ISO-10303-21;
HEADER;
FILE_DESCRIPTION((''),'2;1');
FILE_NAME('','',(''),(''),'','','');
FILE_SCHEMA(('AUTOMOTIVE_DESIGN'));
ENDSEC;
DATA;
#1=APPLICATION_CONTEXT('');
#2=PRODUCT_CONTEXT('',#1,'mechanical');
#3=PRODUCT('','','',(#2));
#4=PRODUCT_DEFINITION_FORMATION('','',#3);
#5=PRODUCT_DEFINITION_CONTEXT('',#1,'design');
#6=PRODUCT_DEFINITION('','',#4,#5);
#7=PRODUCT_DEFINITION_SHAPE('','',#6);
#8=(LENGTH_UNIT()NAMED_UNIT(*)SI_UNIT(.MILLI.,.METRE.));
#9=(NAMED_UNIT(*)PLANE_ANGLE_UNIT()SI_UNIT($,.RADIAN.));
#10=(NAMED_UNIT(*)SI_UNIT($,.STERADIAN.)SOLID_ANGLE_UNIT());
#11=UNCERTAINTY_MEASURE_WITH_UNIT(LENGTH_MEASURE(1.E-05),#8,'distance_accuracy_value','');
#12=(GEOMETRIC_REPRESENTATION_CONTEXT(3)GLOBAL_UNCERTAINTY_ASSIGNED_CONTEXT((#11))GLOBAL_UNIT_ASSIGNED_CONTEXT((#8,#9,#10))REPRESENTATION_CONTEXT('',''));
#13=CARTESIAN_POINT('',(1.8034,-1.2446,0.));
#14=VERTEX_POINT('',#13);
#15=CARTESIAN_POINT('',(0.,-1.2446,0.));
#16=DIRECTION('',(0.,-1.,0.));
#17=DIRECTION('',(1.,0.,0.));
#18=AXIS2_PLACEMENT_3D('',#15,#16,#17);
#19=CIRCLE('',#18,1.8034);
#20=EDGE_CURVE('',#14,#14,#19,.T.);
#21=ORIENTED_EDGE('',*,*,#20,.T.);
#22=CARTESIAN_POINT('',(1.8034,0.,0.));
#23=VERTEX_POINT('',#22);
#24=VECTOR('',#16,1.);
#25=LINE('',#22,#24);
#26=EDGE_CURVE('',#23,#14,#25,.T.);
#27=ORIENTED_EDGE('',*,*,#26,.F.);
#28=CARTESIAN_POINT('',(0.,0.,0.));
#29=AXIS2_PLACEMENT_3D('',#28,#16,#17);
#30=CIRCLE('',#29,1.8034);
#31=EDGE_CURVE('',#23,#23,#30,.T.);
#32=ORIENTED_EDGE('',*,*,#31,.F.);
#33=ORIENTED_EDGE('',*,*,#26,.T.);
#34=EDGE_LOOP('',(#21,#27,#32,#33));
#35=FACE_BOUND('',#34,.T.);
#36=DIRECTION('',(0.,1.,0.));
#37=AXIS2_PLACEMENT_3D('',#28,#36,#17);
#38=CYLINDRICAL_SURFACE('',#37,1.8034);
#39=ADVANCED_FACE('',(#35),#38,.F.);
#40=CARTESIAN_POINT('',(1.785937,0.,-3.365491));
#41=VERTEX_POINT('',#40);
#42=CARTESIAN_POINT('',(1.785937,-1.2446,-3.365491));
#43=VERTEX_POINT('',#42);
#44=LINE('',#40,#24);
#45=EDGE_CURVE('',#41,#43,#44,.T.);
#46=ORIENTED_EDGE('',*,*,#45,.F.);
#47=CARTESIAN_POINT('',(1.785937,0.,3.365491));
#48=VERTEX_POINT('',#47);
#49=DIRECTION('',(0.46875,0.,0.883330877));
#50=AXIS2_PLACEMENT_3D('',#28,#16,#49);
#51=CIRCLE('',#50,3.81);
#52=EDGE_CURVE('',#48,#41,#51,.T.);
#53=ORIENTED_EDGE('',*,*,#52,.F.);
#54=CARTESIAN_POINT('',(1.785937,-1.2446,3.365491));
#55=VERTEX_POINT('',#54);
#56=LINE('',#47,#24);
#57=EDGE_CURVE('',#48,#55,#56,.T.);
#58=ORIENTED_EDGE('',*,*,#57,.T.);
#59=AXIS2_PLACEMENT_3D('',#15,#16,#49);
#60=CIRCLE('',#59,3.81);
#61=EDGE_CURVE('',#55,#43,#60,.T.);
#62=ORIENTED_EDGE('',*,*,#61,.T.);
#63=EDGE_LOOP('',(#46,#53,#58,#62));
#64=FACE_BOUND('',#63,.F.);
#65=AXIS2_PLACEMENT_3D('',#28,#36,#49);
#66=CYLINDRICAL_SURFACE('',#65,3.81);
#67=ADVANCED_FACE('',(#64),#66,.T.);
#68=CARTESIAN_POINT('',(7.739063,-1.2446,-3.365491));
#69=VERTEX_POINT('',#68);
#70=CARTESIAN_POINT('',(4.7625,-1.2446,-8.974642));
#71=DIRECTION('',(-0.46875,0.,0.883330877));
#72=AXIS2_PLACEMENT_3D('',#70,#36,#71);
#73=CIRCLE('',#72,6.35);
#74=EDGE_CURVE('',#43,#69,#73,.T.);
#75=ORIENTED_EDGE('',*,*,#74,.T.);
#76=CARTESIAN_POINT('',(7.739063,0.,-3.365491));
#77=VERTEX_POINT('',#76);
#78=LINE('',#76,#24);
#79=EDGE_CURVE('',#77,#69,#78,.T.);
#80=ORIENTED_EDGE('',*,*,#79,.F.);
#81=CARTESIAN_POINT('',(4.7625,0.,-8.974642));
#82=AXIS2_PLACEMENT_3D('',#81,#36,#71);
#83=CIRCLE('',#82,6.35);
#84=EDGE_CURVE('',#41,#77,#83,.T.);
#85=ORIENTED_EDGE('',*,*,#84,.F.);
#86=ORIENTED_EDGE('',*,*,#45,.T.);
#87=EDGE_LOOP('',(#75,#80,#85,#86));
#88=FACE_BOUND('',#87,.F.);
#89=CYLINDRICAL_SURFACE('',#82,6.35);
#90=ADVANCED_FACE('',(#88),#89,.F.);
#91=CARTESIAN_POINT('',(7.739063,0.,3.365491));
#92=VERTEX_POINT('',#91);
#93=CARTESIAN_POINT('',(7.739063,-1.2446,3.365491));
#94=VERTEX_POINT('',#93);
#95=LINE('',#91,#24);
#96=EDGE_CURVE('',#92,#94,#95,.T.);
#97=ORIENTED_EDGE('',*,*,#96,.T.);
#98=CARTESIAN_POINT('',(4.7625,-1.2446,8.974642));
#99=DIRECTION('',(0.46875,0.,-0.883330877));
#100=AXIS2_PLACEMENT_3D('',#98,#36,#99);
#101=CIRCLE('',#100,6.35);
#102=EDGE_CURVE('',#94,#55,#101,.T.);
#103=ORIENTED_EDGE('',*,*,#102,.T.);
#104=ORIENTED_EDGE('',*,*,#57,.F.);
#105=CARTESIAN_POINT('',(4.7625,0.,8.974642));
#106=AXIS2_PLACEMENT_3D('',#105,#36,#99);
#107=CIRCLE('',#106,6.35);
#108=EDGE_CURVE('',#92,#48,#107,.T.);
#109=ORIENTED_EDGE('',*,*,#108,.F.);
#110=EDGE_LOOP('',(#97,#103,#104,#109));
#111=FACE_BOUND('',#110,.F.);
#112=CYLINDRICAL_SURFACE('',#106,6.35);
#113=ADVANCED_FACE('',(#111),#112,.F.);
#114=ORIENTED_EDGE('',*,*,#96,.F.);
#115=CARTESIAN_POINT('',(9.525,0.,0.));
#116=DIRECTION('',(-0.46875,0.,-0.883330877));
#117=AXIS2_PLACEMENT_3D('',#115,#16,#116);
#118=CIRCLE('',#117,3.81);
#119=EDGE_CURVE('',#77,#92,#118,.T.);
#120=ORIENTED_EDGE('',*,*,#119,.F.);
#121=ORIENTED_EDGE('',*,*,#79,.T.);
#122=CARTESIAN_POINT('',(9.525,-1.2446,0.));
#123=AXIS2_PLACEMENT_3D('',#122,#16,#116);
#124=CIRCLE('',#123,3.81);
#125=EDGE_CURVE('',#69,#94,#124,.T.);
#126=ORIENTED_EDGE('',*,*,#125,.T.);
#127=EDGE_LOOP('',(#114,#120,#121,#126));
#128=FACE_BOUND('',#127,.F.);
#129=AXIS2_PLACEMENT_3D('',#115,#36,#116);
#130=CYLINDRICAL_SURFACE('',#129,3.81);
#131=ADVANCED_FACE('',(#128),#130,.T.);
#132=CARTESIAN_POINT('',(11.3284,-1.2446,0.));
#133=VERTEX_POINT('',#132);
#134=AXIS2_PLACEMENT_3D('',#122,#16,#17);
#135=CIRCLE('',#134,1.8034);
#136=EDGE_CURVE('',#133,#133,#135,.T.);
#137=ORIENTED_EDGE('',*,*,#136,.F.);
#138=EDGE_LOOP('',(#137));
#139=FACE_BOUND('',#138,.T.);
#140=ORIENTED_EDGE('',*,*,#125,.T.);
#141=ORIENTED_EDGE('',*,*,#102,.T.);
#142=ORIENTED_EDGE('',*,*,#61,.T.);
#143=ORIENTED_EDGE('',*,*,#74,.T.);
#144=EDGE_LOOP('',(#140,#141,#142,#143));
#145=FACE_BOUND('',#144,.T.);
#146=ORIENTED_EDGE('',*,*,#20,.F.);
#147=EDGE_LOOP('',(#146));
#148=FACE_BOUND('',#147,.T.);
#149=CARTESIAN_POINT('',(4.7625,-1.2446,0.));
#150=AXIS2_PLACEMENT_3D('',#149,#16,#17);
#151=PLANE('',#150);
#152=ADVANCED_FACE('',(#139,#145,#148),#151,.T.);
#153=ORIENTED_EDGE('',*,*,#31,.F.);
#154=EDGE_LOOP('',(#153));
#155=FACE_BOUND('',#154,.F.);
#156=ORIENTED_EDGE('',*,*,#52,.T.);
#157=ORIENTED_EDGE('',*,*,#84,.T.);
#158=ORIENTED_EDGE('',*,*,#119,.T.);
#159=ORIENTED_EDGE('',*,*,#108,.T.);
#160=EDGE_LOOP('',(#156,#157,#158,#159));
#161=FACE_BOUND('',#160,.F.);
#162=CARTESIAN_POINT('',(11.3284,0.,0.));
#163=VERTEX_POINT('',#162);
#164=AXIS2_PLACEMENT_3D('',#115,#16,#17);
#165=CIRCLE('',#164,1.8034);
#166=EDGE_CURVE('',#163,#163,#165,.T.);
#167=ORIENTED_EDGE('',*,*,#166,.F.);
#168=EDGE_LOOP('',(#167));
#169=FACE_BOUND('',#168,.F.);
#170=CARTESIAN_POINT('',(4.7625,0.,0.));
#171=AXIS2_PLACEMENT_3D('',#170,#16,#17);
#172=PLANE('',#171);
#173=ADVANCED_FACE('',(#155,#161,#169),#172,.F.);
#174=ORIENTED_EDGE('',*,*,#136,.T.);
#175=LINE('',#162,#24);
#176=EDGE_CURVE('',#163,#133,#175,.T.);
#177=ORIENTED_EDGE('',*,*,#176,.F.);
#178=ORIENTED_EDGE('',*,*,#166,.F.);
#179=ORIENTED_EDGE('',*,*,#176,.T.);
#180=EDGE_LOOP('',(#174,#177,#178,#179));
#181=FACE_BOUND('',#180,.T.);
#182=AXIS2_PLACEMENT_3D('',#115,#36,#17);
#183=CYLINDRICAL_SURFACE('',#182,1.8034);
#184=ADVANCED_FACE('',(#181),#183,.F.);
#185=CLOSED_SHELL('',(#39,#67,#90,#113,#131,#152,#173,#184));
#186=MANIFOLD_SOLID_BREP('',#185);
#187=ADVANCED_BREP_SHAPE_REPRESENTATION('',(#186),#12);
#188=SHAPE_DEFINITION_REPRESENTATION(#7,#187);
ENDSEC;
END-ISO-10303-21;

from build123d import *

# Parameters (mm, degrees)
F0_R     = 1.8034
F1_DEPTH = 1.2446


with BuildPart() as f1:
    # F0 (on Front) → F1 (new body)
    with BuildSketch(Plane.XZ):
        with BuildLine():
            ThreePointArc((7.7390625, 3.3654906397), (4.7625, 2.6246417059), (1.7859375, 3.3654906397))
            ThreePointArc((1.7859375, 3.3654906397), (-3.81, 0), (1.7859375, -3.3654906397))
            ThreePointArc((1.7859375, -3.3654906397), (4.7625, -2.6246417059), (7.7390625, -3.3654906397))
            ThreePointArc((7.7390625, -3.3654906397), (13.335, 0), (7.7390625, 3.3654906397))
        make_face()
        Circle(F0_R, mode=Mode.SUBTRACT)
        with Locations((9.525, 0)):
            Circle(F0_R, mode=Mode.SUBTRACT)
    extrude(amount=F1_DEPTH)


solid = f1.part
